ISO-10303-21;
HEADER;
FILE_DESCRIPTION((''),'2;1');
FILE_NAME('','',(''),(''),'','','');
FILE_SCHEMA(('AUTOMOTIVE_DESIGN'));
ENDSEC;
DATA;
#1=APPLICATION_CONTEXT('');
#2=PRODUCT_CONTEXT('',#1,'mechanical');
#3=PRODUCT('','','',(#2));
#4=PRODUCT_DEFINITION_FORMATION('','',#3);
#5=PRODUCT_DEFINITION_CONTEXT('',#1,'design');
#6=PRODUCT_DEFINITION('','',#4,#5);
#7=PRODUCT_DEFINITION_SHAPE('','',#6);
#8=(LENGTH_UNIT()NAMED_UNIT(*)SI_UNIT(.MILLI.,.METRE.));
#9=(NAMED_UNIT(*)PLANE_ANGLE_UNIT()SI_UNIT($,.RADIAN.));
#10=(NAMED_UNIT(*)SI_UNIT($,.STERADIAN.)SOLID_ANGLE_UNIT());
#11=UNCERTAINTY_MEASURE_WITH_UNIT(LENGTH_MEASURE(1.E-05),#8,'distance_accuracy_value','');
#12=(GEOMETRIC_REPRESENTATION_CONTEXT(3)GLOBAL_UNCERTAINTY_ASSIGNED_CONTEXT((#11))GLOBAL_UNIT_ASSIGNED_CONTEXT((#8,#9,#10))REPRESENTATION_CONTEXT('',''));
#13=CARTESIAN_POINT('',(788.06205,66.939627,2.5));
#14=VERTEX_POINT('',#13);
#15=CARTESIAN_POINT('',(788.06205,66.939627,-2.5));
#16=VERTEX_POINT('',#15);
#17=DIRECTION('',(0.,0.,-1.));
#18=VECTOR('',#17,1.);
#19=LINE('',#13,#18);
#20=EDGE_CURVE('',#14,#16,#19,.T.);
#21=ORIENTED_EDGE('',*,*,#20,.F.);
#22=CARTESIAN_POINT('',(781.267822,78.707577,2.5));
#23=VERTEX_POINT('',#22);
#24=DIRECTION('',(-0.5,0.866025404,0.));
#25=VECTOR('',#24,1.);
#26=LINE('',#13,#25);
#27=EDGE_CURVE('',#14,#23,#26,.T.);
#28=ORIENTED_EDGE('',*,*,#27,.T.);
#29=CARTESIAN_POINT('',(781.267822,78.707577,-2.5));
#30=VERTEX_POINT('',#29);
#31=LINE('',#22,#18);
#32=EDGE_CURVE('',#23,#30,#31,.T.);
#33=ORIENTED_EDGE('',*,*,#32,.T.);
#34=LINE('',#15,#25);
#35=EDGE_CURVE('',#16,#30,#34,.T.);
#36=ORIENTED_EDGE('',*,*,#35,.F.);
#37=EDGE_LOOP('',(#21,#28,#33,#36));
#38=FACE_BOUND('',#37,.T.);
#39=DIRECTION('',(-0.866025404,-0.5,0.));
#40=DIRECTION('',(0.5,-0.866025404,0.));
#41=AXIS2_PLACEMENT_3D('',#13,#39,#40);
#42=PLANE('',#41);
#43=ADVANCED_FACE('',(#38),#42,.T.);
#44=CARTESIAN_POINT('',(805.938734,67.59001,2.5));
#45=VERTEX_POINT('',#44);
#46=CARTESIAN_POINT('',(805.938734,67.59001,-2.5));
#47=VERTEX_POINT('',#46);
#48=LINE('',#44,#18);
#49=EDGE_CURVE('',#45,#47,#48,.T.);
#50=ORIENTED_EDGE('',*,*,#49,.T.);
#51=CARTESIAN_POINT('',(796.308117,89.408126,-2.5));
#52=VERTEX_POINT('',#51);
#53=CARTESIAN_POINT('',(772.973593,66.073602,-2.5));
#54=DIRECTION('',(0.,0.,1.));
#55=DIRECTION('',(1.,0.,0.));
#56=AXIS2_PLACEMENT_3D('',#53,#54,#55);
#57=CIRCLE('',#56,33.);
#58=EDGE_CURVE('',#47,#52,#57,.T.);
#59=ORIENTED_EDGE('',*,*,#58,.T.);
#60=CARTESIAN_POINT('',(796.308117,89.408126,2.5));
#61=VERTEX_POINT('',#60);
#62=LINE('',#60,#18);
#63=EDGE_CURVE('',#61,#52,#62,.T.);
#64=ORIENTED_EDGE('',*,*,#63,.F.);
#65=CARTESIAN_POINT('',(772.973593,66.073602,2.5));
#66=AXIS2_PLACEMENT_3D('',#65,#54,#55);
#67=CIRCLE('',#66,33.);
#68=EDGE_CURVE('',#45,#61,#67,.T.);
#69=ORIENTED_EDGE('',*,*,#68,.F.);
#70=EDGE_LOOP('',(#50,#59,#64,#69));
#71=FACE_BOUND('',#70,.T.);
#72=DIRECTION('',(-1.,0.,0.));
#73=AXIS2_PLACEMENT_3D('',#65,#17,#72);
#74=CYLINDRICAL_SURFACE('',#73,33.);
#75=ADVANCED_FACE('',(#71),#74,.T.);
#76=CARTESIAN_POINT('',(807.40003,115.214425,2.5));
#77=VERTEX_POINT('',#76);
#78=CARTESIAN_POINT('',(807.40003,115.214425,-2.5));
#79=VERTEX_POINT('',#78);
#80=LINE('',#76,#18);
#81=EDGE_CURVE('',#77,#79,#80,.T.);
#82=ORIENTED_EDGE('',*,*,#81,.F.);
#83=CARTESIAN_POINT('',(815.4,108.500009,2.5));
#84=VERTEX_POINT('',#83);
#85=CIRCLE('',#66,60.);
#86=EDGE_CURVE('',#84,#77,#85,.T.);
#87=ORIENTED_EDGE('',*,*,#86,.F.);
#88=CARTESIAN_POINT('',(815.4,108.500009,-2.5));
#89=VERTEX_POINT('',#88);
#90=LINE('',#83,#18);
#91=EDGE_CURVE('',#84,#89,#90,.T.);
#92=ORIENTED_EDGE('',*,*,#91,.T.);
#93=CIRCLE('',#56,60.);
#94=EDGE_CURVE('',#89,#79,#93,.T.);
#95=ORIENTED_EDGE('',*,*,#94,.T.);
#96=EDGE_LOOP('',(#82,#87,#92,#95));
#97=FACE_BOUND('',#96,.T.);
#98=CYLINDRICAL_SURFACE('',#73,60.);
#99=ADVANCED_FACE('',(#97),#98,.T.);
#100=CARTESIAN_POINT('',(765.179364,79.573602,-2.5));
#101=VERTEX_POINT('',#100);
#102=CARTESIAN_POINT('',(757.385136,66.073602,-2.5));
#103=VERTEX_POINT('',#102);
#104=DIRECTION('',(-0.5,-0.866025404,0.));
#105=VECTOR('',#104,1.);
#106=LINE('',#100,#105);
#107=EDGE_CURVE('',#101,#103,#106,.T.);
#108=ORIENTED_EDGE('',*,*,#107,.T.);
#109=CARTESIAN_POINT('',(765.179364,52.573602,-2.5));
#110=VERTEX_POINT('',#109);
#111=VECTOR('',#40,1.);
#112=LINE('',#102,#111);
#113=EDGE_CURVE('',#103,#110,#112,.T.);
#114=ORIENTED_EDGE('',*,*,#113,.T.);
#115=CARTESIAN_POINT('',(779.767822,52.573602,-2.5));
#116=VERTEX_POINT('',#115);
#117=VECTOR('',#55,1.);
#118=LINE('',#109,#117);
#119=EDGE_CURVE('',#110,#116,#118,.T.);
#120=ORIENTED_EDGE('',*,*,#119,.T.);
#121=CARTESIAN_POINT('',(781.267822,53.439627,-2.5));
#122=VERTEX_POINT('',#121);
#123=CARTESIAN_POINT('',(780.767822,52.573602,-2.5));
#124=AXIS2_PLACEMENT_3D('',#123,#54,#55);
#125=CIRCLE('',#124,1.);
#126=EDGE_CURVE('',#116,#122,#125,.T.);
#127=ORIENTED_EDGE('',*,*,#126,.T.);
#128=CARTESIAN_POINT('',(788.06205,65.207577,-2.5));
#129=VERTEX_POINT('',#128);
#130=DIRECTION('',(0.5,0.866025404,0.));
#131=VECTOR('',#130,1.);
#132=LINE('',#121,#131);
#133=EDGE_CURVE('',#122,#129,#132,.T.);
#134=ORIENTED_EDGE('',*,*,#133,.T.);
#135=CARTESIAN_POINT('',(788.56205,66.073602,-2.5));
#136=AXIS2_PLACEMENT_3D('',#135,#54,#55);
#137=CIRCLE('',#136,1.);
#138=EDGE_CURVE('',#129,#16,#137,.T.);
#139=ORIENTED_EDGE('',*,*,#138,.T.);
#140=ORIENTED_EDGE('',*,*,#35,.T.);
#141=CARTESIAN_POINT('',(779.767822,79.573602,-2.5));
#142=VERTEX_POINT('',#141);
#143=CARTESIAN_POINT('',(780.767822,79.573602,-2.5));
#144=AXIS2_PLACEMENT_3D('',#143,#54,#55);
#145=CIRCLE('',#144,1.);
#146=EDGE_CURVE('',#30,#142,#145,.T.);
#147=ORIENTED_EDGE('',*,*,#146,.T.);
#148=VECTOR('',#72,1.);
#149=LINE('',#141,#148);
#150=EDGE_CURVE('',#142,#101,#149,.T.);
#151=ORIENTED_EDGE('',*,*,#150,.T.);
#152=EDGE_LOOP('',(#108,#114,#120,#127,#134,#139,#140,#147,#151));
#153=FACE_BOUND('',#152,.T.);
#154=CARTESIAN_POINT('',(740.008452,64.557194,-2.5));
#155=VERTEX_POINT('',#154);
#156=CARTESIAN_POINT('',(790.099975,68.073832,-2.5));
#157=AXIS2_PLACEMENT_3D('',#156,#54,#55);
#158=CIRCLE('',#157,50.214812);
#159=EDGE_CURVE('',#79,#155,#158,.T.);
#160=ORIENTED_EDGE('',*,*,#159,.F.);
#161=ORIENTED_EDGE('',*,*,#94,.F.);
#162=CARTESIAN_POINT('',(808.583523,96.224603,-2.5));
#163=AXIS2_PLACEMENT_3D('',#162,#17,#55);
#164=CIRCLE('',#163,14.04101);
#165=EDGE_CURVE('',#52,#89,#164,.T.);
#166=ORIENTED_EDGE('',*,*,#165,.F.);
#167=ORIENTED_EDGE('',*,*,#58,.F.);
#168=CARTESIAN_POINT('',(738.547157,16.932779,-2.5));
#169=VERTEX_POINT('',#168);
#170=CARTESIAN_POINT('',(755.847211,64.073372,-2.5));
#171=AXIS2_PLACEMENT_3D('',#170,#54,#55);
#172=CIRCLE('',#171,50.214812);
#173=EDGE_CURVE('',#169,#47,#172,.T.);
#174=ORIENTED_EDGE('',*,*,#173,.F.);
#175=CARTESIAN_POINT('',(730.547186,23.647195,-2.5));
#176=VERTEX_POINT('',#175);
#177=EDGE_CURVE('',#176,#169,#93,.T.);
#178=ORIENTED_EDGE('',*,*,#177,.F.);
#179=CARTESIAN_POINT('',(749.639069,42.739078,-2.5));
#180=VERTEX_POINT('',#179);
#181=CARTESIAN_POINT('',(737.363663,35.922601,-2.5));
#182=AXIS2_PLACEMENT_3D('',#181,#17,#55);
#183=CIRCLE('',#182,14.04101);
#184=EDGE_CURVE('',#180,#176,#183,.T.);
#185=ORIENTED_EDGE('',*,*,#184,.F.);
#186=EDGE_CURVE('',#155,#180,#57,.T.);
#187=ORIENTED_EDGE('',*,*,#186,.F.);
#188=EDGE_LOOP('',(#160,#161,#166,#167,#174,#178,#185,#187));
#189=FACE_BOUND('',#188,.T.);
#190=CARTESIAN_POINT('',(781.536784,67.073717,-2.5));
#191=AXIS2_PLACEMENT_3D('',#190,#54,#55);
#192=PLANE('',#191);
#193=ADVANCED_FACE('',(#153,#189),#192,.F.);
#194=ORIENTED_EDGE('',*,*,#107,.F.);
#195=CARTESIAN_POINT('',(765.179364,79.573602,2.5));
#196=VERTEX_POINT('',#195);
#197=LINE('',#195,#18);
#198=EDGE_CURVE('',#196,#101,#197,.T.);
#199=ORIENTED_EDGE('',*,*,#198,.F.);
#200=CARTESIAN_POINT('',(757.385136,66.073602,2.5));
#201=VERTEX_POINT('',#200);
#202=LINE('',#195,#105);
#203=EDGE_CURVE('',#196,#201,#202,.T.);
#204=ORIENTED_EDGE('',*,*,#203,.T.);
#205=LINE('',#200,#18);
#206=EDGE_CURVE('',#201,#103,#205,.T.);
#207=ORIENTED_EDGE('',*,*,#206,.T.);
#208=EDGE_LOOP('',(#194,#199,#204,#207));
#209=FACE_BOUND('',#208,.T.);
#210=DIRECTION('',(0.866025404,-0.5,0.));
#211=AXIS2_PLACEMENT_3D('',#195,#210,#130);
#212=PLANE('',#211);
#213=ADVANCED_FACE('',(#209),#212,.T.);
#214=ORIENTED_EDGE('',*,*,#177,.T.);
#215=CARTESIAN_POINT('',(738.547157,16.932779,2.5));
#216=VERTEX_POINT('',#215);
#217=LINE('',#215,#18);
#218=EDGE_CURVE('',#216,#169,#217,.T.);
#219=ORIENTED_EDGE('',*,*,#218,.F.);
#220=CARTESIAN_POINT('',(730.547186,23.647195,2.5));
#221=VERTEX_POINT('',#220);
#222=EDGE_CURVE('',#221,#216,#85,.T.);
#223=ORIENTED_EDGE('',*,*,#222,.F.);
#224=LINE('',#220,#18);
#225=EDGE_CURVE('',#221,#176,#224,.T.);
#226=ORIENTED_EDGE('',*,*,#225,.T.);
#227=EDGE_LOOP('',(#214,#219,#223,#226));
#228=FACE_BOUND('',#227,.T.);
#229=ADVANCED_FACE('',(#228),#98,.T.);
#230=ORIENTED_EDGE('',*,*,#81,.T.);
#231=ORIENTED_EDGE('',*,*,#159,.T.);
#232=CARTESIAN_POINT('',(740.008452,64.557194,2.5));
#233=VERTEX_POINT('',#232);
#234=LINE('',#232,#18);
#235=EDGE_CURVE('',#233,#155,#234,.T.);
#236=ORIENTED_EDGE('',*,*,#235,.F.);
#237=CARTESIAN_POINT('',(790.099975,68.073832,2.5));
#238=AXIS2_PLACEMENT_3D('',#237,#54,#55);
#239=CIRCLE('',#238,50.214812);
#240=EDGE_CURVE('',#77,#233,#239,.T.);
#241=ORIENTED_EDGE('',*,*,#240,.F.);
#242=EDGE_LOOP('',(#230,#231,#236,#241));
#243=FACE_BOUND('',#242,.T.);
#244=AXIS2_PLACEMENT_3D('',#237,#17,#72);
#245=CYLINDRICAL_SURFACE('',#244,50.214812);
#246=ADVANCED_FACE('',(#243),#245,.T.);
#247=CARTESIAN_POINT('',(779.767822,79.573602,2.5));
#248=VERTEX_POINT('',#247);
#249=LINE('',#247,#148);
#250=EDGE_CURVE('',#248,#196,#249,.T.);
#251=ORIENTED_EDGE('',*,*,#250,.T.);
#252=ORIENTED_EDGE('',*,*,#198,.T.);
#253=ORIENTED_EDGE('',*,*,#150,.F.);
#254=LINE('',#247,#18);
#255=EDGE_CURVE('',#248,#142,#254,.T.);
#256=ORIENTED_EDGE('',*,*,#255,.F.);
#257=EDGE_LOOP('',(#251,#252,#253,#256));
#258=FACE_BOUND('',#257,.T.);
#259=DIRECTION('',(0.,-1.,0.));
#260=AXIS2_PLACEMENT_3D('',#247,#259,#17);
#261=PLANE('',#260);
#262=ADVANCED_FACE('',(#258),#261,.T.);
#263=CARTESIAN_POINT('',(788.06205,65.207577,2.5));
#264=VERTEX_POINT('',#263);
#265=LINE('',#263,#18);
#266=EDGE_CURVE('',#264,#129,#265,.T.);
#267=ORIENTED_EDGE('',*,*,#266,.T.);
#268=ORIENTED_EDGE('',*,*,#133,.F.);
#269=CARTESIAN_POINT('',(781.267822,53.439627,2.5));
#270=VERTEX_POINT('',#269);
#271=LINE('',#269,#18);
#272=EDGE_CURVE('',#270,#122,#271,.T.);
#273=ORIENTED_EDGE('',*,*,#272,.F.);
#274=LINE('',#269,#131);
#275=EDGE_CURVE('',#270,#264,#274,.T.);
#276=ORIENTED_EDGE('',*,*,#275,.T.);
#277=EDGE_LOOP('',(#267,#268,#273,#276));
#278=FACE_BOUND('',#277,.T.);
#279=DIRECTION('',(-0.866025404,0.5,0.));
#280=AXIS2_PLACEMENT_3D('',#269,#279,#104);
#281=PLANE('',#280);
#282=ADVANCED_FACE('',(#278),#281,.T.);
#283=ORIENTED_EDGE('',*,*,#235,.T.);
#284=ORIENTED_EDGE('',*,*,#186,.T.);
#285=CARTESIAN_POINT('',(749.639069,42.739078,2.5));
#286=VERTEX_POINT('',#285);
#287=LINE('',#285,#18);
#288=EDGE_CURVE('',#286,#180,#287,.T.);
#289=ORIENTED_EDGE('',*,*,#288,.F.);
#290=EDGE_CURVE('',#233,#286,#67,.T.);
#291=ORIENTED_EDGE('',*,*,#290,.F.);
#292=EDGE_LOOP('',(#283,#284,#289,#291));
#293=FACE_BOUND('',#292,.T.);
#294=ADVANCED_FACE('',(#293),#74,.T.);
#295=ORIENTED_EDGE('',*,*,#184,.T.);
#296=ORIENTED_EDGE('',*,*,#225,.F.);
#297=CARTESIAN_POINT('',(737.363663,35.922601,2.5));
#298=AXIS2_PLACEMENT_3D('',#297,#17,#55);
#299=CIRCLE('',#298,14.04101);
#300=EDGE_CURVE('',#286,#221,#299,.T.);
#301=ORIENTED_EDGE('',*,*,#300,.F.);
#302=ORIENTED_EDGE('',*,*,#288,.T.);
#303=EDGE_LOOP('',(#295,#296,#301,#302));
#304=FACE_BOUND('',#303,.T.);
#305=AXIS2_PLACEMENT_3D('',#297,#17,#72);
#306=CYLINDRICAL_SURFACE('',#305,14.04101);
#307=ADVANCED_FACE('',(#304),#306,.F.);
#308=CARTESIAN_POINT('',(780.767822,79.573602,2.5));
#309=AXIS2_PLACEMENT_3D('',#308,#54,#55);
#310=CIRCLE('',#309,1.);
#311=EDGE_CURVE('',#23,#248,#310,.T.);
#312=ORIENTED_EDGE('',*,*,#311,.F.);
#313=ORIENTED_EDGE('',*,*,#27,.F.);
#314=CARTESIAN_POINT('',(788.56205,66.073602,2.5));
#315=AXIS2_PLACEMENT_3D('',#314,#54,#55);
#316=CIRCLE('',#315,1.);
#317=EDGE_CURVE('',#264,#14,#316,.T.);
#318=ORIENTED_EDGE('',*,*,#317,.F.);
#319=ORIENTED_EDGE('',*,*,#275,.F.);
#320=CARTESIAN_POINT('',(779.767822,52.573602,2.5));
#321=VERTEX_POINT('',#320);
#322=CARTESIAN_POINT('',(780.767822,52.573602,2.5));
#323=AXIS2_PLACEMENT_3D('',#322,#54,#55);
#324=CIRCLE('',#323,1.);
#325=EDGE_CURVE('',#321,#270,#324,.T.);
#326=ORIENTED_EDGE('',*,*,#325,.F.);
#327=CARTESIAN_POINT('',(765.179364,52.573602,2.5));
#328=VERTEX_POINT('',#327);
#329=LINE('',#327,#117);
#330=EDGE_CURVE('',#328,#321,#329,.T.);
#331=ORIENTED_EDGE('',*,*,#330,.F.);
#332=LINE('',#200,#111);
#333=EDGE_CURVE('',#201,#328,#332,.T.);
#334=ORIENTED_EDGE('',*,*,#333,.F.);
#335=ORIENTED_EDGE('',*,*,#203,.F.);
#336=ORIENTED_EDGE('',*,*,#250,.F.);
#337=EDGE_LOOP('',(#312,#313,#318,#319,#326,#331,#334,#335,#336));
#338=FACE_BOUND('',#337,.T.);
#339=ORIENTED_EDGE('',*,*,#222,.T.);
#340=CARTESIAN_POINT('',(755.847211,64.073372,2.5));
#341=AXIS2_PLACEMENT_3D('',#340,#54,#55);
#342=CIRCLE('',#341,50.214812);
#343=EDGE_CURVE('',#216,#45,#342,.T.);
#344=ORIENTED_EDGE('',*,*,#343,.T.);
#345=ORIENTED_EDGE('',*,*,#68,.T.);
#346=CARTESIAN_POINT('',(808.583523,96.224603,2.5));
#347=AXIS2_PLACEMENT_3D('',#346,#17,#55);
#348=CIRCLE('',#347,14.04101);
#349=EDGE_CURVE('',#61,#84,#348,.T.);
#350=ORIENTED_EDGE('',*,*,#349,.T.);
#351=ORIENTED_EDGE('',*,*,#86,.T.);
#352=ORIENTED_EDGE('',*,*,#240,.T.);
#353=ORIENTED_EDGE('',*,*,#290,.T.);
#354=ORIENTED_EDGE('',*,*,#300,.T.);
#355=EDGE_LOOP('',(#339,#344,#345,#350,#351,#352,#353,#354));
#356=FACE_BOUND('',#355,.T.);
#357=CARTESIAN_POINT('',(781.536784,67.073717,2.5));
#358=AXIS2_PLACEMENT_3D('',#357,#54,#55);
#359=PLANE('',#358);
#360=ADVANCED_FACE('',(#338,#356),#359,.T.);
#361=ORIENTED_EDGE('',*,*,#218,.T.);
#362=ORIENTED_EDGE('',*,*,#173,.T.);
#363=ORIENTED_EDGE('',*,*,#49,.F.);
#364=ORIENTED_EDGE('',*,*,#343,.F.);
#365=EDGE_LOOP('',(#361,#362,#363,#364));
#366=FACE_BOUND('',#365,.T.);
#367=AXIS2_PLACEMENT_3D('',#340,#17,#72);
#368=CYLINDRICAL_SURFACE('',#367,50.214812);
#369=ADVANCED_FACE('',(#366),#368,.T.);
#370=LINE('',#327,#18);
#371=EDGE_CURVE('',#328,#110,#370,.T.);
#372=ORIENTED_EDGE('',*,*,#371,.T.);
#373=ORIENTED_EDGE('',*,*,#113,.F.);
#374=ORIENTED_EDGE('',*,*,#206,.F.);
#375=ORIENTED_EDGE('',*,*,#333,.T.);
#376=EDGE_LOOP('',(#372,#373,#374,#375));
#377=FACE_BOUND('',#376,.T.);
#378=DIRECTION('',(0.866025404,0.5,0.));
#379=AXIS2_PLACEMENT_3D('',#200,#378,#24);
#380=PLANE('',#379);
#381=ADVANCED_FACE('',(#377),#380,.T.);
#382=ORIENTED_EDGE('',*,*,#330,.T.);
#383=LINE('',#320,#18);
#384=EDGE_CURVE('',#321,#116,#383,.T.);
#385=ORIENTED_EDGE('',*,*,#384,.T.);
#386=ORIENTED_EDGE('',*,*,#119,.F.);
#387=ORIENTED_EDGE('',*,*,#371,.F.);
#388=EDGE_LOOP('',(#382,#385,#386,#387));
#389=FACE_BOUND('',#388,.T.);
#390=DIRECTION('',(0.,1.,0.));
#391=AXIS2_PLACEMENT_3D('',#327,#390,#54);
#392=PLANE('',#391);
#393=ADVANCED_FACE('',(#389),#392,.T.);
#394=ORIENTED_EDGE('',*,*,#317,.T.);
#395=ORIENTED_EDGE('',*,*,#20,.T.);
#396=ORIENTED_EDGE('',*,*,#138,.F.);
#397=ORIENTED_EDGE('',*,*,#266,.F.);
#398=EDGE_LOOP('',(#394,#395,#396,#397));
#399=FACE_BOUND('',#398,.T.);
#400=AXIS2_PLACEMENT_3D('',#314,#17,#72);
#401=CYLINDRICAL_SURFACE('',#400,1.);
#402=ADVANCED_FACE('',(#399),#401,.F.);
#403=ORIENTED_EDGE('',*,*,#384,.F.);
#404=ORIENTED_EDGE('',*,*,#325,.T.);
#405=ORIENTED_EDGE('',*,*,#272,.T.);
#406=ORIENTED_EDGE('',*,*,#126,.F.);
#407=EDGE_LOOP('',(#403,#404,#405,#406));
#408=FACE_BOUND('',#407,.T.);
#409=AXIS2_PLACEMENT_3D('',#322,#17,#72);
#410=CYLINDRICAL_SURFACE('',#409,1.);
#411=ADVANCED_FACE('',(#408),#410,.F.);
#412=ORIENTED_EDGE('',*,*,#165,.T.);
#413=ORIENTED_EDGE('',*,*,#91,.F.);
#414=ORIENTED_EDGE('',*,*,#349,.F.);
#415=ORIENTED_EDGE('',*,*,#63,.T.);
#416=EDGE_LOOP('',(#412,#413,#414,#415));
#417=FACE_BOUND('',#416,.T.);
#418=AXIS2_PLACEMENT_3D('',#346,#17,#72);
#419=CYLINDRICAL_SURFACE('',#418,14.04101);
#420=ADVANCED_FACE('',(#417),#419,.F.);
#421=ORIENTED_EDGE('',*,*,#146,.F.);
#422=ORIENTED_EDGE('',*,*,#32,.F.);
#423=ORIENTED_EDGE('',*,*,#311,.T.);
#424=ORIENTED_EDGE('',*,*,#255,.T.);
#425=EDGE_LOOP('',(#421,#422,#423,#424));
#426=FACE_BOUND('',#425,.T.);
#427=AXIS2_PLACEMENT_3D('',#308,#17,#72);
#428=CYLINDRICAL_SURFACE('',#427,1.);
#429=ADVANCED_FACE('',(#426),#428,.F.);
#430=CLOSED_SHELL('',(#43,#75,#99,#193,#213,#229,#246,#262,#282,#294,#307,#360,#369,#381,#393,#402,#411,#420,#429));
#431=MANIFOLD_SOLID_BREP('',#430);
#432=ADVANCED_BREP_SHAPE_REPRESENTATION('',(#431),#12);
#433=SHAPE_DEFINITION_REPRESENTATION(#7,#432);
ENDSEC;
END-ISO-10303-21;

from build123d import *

# Parameters (mm, degrees)
BOSS_EXTRUDE1_DEPTH = 2.5


with BuildPart() as part:
    # Model → Boss-Extrude1 (new, symmetric)
    with BuildSketch(Plane.XY):
        with BuildLine():
            ThreePointArc((807.400029607, 115.214424851), (759.927821467, 108.213195948), (740.008452339, 64.557194238))
            ThreePointArc((740.008452339, 64.557194238), (742.783849766, 52.747710067), (749.639069353, 42.739078209))
            ThreePointArc((749.639069353, 42.739078209), (747.292156458, 25.994108012), (730.547186261, 23.647195117))
            ThreePointArc((730.547186261, 23.647195117), (734.400795358, 20.115585583), (738.547156658, 16.932779125))
            ThreePointArc((738.547156658, 16.932779125), (786.019364798, 23.934008028), (805.938733926, 67.590009739))
            ThreePointArc((805.938733926, 67.590009739), (803.163336499, 79.399493909), (796.308116912, 89.408125767))
            ThreePointArc((796.308116912, 89.408125767), (798.655029807, 106.153095964), (815.400000004, 108.500008859))
            ThreePointArc((815.400000004, 108.500008859), (811.546390907, 112.031618393), (807.400029607, 115.214424851))
        make_face()
        with BuildLine():
            Line((788.062050401, 66.939627392), (781.267821767, 78.707576584))
            ThreePointArc((781.267821767, 78.707576584), (781.267821767, 80.439627392), (779.767821767, 79.573601988))
            Line((779.767821767, 79.573601988), (765.179364498, 79.573601988))
            Line((765.179364498, 79.573601988), (757.385135864, 66.073601988))
            Line((757.385135864, 66.073601988), (765.179364498, 52.573601988))
            Line((765.179364498, 52.573601988), (779.767821767, 52.573601988))
            ThreePointArc((779.767821767, 52.573601988), (781.267821767, 51.707576584), (781.267821767, 53.439627392))
            Line((781.267821767, 53.439627392), (788.062050401, 65.207576584))
            ThreePointArc((788.062050401, 65.207576584), (789.562050401, 66.073601988), (788.062050401, 66.939627392))
        make_face(mode=Mode.SUBTRACT)
    extrude(amount=BOSS_EXTRUDE1_DEPTH, both=True)


solid = part.part
